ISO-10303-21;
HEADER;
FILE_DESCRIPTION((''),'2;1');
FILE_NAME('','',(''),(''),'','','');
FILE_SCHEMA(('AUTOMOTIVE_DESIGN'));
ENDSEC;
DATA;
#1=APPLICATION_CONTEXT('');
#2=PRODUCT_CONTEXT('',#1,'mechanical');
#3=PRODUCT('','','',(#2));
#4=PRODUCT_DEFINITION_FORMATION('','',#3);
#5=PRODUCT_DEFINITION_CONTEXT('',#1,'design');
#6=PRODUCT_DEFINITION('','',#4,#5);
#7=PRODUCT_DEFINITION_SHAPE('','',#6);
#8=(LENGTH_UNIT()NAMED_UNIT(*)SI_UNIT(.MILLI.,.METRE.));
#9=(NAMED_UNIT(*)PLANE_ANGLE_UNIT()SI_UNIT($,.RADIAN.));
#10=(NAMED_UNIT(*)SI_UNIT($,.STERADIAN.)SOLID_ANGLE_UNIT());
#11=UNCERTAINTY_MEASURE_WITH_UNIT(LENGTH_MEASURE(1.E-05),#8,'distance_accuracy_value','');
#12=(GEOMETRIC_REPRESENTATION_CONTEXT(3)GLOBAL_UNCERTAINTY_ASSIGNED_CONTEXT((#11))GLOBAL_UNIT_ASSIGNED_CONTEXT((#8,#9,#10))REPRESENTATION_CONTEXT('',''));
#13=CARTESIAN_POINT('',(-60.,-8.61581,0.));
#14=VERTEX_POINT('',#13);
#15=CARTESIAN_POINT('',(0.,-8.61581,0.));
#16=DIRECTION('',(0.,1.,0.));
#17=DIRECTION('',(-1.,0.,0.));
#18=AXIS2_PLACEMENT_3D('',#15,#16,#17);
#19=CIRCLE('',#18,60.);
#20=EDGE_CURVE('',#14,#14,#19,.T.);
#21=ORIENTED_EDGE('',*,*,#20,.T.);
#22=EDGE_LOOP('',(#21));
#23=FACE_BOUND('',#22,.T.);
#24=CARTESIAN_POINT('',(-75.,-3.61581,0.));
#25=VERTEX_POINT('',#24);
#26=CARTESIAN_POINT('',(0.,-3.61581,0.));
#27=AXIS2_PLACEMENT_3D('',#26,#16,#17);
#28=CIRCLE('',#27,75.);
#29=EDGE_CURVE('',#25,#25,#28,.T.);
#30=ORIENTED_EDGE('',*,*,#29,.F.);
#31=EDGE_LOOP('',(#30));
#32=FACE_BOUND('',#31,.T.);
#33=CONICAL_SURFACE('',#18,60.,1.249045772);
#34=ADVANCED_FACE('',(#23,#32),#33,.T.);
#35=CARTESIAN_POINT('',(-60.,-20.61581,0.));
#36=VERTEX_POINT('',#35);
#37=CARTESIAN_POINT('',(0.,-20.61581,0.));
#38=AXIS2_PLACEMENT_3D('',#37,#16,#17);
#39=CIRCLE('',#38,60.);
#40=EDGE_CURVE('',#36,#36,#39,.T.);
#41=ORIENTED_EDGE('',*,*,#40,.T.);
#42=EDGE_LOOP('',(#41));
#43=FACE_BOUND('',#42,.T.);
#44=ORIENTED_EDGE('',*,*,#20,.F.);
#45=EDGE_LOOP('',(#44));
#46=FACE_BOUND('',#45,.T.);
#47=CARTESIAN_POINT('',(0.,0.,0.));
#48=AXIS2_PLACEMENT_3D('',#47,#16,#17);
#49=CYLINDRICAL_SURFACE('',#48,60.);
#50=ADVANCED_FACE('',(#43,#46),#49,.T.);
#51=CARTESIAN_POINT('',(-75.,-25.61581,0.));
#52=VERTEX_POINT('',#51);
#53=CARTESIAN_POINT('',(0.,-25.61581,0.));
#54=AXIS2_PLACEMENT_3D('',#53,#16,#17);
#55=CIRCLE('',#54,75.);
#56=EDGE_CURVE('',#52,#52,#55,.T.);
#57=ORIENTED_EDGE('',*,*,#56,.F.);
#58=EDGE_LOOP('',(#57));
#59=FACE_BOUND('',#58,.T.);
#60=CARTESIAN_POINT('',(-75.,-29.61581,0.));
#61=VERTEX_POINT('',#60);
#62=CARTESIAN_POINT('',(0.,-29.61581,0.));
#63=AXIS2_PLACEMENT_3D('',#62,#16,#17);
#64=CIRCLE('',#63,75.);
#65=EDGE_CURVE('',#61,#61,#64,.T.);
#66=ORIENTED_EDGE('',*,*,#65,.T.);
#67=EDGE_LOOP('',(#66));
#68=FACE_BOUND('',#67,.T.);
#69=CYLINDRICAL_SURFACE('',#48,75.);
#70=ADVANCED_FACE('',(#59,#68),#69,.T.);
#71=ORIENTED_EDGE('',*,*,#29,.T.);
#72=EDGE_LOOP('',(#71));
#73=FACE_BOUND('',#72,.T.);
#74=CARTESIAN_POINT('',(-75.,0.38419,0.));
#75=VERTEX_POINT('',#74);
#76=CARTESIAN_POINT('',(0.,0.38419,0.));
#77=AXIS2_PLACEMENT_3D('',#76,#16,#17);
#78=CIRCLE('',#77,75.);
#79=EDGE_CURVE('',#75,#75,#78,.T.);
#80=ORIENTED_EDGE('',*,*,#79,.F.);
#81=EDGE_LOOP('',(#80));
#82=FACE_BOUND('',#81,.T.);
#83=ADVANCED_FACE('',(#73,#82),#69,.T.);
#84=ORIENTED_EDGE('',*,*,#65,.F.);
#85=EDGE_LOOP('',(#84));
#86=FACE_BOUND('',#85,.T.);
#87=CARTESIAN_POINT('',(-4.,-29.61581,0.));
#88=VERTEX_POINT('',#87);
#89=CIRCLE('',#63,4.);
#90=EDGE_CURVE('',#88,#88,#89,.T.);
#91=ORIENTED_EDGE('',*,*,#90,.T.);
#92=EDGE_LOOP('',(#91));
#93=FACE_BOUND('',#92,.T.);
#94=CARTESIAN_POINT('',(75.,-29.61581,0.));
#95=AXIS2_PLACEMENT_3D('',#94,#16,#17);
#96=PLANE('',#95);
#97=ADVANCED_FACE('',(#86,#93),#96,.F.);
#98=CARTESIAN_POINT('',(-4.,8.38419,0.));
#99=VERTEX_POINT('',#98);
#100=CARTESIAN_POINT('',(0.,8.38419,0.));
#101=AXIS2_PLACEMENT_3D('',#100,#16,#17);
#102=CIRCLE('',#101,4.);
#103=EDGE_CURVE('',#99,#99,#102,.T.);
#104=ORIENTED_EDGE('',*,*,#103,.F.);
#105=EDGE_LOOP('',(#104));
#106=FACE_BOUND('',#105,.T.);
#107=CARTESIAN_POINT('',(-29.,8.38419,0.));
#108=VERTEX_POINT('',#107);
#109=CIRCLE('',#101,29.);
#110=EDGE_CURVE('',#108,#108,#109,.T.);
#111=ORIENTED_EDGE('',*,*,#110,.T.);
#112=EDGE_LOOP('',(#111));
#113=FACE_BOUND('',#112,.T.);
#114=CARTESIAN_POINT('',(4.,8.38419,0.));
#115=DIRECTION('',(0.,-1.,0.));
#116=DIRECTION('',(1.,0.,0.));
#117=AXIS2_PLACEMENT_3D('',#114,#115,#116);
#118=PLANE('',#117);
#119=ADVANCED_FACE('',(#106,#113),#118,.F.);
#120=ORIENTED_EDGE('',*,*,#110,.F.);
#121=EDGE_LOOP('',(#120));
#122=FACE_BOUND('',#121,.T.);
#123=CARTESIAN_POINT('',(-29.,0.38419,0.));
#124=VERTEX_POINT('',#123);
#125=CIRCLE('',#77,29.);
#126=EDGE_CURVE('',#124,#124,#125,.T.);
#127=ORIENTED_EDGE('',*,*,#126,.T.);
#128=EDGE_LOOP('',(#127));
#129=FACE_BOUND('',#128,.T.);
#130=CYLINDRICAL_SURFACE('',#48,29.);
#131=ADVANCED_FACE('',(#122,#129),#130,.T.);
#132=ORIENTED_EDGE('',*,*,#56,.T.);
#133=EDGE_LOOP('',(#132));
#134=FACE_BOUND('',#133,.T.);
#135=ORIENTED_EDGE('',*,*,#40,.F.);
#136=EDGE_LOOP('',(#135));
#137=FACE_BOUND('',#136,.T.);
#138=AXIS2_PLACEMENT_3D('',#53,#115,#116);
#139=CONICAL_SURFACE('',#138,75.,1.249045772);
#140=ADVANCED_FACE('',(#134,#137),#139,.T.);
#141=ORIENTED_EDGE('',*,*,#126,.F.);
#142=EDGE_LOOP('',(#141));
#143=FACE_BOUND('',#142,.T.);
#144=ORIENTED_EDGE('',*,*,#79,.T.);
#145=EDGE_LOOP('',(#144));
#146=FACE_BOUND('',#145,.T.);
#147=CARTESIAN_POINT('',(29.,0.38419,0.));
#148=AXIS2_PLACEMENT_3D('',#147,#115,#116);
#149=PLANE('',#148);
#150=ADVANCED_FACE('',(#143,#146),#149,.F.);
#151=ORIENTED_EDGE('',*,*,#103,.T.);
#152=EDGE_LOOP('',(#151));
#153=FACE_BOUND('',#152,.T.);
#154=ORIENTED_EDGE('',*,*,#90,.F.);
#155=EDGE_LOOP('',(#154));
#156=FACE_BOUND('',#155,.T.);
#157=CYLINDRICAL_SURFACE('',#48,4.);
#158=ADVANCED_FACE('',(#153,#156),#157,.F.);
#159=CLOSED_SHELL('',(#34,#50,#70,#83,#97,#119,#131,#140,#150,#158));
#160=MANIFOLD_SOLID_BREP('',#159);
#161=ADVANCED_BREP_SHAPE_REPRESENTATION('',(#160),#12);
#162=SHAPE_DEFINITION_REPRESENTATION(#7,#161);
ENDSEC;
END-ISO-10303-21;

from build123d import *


with BuildPart() as part:
    # Sketch1 → Revolve1 (revolve)
    with BuildSketch(Plane.XY, mode=Mode.PRIVATE) as revolve1_sk:
        Polygon((4, 0), (4, -29.615810302), (75, -29.615810302), (75, -25.615810302), (60, -20.615810302), (60, -8.615810302), (75, -3.615810302), (75, 0.384189698), (29, 0.384189698), (29, 8.384189698), (4, 8.384189698), align=None)
    revolve(revolve1_sk.sketch.rotate(Axis((0, 0, 0), (0, -1, 0)), 180), axis=Axis((0, 0, 0), (0, -1, 0)))


solid = part.part
